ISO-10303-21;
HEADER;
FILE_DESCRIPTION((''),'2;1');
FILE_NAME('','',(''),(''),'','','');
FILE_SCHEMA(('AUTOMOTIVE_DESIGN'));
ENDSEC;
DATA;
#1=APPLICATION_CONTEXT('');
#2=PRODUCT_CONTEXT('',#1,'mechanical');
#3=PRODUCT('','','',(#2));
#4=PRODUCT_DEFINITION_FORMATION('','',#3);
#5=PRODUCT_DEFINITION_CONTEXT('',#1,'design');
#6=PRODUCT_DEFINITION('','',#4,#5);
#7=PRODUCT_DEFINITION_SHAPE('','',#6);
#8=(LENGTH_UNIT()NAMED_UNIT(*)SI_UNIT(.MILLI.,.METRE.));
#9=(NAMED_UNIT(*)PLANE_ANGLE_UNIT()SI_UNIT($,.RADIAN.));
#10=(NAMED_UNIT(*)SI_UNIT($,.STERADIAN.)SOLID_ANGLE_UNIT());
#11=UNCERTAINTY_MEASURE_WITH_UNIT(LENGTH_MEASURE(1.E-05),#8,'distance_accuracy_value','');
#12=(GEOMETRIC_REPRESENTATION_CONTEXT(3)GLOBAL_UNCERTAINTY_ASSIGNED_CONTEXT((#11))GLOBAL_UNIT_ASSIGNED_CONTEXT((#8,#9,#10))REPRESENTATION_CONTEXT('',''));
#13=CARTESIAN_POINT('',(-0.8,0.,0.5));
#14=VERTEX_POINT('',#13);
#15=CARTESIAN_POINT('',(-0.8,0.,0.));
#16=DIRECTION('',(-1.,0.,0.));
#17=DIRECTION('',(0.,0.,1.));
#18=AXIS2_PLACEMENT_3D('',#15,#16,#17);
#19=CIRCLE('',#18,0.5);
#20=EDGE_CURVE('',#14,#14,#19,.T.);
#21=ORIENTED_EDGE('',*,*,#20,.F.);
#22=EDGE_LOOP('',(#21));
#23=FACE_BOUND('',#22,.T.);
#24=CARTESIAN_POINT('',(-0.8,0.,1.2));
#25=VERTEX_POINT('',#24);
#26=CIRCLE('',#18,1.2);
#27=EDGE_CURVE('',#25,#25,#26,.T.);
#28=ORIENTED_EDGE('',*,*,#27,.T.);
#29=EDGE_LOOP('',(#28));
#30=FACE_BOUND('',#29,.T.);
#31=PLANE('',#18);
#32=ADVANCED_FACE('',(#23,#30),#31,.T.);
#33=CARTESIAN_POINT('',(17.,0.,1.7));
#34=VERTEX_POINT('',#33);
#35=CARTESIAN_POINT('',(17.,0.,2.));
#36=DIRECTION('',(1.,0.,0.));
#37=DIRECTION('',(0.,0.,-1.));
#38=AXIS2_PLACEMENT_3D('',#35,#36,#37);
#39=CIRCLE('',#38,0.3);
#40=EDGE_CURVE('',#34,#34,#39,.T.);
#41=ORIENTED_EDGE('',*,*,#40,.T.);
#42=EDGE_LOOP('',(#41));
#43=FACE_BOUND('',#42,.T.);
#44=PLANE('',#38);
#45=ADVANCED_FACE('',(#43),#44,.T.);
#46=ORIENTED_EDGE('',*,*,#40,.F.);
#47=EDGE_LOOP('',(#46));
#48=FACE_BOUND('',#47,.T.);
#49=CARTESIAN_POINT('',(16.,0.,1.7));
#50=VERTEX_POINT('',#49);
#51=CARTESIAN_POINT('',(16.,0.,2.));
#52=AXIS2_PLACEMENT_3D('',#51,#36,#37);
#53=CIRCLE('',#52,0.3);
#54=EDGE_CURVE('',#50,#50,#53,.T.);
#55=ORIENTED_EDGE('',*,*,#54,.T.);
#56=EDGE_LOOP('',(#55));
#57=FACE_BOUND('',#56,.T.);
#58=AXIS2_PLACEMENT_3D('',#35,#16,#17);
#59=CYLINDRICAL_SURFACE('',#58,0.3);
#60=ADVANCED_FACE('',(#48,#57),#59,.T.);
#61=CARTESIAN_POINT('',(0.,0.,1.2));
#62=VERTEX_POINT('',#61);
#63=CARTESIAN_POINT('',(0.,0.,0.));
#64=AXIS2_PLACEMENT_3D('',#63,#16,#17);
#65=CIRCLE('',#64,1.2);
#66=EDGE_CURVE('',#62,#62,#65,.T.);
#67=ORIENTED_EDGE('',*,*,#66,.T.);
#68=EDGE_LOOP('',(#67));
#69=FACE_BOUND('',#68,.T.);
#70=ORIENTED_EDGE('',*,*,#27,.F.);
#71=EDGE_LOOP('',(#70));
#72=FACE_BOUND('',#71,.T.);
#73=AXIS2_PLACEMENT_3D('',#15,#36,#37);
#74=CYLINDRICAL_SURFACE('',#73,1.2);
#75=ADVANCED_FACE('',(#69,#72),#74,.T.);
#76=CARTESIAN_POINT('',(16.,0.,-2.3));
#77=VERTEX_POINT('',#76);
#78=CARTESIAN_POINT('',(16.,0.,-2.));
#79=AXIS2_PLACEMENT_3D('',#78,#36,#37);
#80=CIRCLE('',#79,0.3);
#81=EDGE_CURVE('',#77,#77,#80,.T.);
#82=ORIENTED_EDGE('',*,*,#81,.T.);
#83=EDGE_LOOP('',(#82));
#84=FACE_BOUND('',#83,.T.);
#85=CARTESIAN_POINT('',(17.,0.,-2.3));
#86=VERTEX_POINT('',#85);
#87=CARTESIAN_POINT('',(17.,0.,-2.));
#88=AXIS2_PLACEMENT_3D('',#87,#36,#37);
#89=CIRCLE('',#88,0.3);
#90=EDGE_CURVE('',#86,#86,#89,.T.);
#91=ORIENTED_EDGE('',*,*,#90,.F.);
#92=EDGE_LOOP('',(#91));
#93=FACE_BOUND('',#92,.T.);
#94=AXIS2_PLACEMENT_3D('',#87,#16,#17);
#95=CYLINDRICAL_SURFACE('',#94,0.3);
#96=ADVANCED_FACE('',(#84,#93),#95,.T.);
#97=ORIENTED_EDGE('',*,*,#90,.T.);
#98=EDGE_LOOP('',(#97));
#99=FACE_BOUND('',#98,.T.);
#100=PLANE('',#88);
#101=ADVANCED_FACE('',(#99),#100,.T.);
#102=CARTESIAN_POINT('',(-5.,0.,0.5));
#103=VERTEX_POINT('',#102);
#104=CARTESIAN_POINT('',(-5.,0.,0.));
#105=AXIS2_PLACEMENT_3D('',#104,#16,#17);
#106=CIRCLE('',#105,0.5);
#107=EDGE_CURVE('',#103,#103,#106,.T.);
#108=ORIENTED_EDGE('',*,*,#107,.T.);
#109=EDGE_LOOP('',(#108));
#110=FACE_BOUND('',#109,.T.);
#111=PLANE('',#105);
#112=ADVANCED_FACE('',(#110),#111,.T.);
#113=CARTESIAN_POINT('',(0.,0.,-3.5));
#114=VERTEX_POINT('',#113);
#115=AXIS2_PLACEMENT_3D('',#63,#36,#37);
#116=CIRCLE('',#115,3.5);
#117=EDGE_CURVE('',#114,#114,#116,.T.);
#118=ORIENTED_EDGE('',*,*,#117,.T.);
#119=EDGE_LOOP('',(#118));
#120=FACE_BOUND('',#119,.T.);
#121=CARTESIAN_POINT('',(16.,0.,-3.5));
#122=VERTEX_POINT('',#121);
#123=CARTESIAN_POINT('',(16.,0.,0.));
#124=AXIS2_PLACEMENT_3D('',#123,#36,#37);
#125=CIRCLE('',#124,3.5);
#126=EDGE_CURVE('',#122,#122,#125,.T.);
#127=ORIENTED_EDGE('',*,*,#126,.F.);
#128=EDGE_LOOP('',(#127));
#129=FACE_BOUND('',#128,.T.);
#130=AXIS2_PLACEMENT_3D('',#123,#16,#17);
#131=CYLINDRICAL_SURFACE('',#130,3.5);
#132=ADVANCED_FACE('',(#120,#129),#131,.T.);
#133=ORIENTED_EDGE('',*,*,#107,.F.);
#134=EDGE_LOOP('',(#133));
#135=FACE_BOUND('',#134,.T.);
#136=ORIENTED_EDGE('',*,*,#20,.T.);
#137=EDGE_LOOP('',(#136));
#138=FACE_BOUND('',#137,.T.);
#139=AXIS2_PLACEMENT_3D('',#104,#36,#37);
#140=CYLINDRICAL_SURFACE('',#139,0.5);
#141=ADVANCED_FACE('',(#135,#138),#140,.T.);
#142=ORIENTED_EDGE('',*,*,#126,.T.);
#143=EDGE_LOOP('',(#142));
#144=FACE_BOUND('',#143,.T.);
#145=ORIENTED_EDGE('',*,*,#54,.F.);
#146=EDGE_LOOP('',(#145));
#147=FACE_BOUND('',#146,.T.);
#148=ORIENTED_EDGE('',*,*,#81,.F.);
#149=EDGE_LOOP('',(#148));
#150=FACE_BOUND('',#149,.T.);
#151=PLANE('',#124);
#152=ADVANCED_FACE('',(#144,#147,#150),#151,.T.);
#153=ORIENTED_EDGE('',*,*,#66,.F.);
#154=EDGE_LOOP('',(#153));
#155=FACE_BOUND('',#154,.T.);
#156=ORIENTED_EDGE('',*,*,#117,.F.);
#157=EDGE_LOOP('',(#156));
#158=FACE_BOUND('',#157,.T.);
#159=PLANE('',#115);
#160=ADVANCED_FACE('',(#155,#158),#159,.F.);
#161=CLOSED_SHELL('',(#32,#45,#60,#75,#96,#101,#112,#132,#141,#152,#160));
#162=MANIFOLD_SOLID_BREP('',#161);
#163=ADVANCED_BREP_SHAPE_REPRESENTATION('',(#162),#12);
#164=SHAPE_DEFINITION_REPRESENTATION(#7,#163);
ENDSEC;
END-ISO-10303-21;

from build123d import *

# Parameters (mm, degrees)
SKETCH1_R           = 3.5
BOSS_EXTRUDE1_DEPTH = 16
SKETCH2_R           = 1.2
BOSS_EXTRUDE2_DEPTH = 0.8
SKETCH3_R           = 0.5
BOSS_EXTRUDE3_DEPTH = 4.2
SKETCH4_R           = 0.3
BOSS_EXTRUDE4_DEPTH = 1


with BuildPart() as part:
    # Sketch1 → Boss-Extrude1 (new body)
    with BuildSketch(Plane(origin=(0, 0, 0), x_dir=(0, 0, -1), z_dir=(1, 0, 0))):
        Circle(SKETCH1_R)
    extrude(amount=BOSS_EXTRUDE1_DEPTH)

    # Sketch2 → Boss-Extrude2 (add)
    with BuildSketch(Plane.ZY):
        Circle(SKETCH2_R)
    extrude(amount=BOSS_EXTRUDE2_DEPTH)

    # Sketch3 → Boss-Extrude3 (add)
    with BuildSketch(Plane.ZY.offset(0.8)):
        Circle(SKETCH3_R)
    extrude(amount=BOSS_EXTRUDE3_DEPTH)

    # Sketch4 → Boss-Extrude4 (add)
    with BuildSketch(Plane(origin=(16, 0, 0), x_dir=(0, 0, -1), z_dir=(1, 0, 0))):
        with Locations((-2, 0)):
            Circle(SKETCH4_R)
        with Locations((2, 0)):
            Circle(SKETCH4_R)
    extrude(amount=BOSS_EXTRUDE4_DEPTH)


solid = part.part
